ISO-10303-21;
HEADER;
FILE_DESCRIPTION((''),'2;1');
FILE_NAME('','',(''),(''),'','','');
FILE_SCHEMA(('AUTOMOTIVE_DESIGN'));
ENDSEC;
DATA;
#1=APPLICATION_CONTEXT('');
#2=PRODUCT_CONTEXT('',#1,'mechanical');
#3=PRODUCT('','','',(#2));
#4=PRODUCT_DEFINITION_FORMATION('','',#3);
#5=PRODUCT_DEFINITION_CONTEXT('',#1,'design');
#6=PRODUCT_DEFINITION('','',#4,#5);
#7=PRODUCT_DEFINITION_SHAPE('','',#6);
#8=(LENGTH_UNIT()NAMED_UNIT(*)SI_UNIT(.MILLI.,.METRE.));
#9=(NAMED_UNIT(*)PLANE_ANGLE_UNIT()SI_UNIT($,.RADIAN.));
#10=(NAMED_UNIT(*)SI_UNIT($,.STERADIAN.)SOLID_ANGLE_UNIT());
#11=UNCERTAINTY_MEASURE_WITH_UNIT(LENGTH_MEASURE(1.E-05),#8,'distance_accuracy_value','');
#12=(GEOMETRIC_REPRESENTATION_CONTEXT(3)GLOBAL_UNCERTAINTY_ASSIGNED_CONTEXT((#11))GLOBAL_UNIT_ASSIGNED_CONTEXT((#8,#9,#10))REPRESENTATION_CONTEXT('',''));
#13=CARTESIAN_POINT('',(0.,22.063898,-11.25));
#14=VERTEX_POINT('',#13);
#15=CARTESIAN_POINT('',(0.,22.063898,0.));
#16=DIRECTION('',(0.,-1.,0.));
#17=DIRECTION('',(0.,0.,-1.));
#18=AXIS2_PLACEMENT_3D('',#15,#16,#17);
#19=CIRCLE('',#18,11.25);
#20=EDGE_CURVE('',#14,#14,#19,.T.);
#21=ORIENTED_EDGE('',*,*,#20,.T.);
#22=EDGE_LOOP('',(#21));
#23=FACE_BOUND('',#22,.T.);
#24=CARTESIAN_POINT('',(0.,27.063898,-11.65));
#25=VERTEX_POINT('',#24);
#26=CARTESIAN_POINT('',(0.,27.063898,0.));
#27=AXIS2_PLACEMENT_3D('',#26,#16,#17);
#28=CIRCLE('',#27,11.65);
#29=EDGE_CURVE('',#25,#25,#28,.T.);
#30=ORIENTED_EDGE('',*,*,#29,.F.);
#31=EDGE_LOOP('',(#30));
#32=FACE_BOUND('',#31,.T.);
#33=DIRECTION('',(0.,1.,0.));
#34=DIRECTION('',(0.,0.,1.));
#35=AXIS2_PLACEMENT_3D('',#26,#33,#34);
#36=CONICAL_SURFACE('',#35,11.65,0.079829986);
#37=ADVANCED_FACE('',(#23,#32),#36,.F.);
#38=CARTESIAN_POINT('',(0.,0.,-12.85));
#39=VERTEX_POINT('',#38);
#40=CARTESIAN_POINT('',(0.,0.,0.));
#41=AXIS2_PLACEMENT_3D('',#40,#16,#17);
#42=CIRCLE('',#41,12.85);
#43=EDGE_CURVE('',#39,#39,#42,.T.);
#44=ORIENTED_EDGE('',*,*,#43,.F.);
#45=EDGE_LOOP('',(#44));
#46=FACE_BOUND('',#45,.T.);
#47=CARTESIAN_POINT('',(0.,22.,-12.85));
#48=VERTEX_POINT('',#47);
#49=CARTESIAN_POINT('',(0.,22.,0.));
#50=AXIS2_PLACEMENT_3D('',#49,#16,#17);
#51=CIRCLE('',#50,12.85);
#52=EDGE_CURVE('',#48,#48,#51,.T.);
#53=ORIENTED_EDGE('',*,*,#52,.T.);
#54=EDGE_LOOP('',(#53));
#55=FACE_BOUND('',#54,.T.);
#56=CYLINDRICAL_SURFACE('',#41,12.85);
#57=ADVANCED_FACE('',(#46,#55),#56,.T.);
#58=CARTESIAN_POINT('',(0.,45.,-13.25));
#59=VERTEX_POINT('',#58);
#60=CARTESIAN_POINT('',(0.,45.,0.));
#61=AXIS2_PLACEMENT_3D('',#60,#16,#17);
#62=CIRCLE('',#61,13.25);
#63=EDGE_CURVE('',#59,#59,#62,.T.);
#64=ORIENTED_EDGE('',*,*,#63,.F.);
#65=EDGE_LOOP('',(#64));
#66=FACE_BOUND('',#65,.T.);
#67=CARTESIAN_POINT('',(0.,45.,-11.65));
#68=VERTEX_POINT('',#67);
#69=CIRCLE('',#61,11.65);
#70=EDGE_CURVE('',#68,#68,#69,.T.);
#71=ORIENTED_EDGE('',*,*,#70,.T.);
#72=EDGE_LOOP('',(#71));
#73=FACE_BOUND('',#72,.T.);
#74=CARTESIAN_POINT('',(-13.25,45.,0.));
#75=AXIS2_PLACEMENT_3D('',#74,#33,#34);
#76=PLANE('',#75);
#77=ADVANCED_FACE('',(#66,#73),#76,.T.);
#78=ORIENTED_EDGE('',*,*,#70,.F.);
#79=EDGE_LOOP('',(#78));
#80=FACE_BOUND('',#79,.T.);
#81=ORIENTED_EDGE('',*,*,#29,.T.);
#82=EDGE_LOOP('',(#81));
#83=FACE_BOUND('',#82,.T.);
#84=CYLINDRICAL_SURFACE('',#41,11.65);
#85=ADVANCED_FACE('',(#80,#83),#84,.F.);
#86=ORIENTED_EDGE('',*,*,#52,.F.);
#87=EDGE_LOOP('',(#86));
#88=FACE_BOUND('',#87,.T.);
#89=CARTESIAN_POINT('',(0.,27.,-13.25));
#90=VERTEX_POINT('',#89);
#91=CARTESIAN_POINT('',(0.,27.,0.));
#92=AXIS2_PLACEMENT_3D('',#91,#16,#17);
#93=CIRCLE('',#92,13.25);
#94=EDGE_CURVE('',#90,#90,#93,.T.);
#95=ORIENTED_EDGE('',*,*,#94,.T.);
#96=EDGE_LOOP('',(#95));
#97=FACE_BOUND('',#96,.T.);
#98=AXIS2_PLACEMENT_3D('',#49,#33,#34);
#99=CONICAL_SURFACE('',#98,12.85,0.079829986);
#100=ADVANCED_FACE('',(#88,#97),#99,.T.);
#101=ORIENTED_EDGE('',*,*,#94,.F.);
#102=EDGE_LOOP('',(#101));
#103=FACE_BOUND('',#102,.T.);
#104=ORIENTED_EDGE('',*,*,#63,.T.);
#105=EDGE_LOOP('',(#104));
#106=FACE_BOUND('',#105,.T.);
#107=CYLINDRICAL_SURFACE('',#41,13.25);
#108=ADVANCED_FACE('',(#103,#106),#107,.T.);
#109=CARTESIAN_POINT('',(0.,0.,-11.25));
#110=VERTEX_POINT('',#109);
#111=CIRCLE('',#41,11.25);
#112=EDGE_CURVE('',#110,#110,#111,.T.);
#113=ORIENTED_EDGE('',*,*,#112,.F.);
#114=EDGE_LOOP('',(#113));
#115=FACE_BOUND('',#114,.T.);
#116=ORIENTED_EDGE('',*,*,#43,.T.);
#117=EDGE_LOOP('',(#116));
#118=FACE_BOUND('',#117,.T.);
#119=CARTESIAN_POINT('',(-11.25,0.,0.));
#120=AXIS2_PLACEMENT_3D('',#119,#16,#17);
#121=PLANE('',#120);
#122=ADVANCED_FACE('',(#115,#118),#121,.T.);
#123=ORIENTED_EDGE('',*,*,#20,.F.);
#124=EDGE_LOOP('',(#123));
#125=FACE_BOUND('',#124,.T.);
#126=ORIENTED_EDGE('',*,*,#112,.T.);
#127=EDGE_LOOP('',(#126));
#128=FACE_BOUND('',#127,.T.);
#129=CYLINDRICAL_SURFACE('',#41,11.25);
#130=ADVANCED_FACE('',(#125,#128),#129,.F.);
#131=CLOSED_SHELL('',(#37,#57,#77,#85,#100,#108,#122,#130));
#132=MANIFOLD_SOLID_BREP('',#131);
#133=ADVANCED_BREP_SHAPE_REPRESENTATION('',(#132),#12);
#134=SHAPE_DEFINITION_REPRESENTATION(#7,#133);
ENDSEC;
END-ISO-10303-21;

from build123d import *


with BuildPart() as part:
    # Sketch1 → Revolve1 (revolve)
    with BuildSketch(Plane.XY, mode=Mode.PRIVATE) as revolve1_sk:
        Polygon((-11.25, 0), (-12.85, 0), (-12.85, 22), (-13.25, 27), (-13.25, 45), (-11.65, 45), (-11.65, 27.063897926), (-11.25, 22.063897926), align=None)
    revolve(revolve1_sk.sketch.rotate(Axis((0, 0, 0), (0, 1, 0)), 270), axis=Axis((0, 0, 0), (0, 1, 0)))


solid = part.part
